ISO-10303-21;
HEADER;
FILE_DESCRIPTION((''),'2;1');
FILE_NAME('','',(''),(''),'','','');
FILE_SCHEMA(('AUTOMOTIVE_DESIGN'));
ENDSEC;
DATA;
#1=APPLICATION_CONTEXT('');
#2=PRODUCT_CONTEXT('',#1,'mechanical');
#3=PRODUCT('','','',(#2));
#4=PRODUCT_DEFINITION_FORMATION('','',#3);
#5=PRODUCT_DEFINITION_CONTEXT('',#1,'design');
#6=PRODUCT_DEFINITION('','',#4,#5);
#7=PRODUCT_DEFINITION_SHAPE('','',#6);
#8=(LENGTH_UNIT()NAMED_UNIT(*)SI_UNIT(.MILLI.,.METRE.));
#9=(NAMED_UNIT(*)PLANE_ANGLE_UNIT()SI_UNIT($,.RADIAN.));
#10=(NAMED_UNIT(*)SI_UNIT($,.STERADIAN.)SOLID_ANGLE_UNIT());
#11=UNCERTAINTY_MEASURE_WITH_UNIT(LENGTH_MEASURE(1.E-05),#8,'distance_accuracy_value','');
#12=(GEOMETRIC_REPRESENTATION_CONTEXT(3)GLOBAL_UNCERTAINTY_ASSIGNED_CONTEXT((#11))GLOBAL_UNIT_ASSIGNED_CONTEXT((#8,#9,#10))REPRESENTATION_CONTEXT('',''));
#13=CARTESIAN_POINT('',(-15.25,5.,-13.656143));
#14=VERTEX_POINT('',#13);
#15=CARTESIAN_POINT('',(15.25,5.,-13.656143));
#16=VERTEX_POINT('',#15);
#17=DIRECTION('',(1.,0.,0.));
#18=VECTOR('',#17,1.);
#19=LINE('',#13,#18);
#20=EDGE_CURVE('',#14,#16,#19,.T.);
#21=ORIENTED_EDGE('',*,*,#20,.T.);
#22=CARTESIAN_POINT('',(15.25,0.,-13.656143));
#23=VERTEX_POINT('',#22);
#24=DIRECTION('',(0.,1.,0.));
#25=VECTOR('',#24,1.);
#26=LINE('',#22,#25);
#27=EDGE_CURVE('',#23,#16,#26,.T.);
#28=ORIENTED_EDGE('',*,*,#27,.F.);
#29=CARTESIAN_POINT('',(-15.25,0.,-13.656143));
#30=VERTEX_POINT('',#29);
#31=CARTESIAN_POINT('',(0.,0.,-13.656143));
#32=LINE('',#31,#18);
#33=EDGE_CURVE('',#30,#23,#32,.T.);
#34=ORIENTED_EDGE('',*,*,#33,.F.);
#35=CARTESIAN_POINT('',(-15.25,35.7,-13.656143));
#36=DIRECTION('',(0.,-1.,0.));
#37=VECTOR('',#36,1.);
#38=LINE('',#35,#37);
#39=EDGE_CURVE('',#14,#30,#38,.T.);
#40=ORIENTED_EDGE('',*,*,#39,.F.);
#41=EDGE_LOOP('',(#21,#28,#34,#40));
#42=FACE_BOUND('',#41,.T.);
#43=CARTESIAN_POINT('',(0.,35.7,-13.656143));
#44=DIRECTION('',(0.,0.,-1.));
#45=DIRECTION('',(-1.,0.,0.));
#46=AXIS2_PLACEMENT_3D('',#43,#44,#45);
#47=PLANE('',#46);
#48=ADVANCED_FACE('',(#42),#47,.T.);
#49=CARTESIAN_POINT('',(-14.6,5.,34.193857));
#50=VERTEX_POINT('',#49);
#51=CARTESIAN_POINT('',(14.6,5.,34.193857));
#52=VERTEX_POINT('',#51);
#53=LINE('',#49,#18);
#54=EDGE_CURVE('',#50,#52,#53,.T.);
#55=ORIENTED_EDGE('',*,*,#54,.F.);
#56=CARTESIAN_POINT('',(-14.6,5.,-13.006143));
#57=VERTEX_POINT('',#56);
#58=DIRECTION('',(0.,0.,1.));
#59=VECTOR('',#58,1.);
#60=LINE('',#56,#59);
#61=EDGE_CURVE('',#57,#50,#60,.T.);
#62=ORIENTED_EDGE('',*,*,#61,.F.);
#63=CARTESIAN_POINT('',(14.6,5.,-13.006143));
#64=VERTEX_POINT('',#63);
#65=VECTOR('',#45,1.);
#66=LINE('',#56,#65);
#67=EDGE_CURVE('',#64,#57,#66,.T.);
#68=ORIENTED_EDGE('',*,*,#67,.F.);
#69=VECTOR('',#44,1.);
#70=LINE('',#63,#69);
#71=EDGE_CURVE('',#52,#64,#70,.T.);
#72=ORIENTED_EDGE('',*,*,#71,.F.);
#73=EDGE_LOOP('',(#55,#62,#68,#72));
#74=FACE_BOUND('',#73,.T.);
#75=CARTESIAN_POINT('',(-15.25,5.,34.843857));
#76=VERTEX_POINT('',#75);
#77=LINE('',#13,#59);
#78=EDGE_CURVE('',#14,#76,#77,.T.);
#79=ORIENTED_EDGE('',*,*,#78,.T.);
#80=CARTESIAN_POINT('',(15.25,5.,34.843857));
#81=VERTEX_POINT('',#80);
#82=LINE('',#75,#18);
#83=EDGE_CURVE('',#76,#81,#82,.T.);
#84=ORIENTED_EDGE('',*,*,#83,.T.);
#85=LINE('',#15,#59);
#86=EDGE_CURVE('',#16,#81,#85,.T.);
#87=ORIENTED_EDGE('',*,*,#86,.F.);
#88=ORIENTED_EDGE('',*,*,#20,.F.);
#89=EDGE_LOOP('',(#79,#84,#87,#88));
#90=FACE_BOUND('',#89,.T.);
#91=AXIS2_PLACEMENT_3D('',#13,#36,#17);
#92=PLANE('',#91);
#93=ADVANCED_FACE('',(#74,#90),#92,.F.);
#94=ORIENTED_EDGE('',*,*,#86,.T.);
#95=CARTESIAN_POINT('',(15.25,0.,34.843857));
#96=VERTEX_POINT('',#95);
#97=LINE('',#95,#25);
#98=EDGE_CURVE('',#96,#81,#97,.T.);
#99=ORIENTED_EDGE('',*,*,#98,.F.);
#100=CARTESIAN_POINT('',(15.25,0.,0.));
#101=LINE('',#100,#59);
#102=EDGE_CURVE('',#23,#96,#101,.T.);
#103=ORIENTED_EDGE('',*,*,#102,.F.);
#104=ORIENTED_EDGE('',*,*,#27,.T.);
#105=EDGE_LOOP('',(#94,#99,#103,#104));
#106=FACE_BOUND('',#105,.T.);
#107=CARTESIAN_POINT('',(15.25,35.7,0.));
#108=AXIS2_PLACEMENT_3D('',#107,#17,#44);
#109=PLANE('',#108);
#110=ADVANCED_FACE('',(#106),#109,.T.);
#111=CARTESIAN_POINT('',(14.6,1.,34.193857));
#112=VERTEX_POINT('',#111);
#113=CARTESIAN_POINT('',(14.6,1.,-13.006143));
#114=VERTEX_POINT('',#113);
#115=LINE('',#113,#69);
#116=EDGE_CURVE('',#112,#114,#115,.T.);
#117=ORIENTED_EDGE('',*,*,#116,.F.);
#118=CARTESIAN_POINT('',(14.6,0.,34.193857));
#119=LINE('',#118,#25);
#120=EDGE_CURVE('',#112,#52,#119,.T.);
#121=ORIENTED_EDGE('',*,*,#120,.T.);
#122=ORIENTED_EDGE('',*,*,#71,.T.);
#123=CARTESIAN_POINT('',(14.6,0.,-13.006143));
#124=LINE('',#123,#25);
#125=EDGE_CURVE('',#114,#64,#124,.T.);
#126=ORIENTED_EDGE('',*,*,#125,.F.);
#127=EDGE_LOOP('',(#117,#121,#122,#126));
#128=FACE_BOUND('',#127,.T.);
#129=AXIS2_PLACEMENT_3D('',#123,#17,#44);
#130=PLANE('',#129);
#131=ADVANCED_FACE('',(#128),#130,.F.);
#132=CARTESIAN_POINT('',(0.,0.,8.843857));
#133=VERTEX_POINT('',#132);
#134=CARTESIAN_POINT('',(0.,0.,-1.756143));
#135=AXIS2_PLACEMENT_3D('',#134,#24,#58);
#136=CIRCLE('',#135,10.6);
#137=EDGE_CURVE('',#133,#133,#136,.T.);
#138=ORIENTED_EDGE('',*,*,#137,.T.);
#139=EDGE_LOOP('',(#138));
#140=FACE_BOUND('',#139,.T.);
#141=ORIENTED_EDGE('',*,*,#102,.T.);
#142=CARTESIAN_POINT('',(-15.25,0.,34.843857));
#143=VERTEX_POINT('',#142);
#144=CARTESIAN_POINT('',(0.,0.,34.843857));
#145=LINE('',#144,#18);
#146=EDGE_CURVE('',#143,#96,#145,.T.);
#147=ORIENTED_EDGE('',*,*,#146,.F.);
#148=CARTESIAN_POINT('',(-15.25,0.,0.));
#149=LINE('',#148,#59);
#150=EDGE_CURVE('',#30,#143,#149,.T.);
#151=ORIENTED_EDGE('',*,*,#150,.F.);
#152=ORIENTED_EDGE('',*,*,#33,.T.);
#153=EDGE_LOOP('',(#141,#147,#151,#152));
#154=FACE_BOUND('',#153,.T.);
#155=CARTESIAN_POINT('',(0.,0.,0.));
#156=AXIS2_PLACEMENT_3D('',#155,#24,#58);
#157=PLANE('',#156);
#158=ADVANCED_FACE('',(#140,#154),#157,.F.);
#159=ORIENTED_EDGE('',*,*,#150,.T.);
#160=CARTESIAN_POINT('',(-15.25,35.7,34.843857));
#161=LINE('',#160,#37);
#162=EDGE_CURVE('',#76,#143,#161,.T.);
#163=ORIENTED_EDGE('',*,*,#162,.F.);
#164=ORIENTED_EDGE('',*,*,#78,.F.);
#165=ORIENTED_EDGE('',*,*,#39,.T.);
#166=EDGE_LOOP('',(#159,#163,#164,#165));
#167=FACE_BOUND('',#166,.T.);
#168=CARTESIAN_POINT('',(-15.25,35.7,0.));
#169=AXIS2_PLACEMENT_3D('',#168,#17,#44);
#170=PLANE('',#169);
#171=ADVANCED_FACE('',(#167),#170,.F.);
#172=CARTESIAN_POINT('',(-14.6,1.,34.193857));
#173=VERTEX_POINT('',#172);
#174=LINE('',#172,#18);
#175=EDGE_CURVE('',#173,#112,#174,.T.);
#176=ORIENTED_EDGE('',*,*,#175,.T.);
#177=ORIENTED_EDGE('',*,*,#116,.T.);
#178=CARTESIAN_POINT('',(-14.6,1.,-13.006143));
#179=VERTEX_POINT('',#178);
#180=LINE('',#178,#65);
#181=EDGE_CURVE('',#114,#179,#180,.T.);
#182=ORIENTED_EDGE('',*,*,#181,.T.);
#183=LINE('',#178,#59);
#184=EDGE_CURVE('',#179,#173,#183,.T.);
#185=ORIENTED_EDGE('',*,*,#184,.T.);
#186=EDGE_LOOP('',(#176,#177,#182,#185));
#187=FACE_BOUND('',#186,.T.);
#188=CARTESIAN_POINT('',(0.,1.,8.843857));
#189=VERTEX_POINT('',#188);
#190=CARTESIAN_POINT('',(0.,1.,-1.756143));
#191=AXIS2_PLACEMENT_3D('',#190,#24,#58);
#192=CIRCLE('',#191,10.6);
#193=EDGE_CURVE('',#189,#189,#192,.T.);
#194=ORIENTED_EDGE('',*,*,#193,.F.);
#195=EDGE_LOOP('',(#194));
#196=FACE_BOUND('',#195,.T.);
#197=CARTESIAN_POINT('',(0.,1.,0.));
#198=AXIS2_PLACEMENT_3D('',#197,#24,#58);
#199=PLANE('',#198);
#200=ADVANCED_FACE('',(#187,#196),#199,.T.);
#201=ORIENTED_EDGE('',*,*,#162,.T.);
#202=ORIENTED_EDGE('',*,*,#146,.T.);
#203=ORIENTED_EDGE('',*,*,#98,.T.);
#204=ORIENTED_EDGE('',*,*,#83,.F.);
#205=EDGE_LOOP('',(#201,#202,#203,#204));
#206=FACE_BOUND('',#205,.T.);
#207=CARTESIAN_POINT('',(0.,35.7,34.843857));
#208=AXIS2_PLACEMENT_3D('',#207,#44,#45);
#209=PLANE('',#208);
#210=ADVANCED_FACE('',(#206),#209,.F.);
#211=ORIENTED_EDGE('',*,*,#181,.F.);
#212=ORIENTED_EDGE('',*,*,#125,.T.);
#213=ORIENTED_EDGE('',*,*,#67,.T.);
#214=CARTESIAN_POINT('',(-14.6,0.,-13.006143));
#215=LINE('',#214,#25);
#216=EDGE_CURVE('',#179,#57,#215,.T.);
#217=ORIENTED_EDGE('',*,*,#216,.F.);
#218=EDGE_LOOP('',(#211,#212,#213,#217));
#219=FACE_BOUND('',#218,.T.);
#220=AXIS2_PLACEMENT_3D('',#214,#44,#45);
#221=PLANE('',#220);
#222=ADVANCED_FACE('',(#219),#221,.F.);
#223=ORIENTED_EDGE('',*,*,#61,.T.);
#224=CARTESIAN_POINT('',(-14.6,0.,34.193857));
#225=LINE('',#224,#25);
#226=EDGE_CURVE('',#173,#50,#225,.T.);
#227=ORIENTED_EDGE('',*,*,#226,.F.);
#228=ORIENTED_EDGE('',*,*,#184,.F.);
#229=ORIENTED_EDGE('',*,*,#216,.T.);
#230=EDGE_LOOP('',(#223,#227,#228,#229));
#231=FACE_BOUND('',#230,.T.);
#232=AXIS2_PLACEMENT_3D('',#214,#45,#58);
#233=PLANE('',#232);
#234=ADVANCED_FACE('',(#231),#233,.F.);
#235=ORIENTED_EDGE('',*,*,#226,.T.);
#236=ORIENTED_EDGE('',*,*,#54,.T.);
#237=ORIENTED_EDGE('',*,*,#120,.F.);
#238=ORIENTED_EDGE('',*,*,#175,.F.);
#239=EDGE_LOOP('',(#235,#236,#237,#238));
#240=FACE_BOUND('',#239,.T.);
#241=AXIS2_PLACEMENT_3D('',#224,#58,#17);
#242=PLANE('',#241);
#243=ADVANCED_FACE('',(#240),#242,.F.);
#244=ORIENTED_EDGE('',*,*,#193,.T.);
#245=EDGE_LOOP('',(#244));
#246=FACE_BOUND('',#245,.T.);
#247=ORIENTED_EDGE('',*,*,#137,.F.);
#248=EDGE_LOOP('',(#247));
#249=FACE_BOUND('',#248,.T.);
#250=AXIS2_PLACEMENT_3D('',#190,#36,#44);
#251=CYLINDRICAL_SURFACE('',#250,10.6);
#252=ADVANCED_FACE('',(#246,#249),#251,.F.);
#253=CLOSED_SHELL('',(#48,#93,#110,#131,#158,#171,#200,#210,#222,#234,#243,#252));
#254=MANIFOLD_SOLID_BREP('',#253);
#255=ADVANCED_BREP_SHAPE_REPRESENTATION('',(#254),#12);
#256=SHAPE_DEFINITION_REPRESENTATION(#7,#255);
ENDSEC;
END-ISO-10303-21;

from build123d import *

# Parameters (mm, degrees)
SKETCH1_W           = 61.4
SKETCH1_H           = 48.5
SKETCH1_W_2         = 28.5
SKETCH1_H_2         = 46.5
SKETCH1_W_3         = 28.9
SKETCH1_H_3         = 46.9
BOSS_EXTRUDE1_DEPTH = 35.7
SKETCH2_W           = 29.9
SKETCH2_H           = 48.5
CUT_EXTRUDE1_DEPTH  = 36.7
SKETCH3_W           = 29.2
SKETCH3_H           = 47.2
CUT_EXTRUDE2_DEPTH  = 36.7
SKETCH4_W           = 29.2
SKETCH4_H           = 47.2
SKETCH4_R           = 10.6
BOSS_EXTRUDE2_DEPTH = 1
SKETCH6_W           = 1
SKETCH6_H           = 48.5
CUT_EXTRUDE3_DEPTH  = 36.7
SKETCH7_W           = 30.5
SKETCH7_H           = 30.7
CUT_EXTRUDE4_DEPTH  = 49.5


with BuildPart() as part:
    # Sketch1 → Boss-Extrude1 (new body)
    with BuildSketch(Plane(origin=(0, 0, 0), x_dir=(1, 0, 0), z_dir=(0, 1, 0))):
        with Locations((15.45, -10.593857338)):
            Rectangle(SKETCH1_W, SKETCH1_H)
        with Locations((0, -10.593857338)):
            Rectangle(SKETCH1_W_2, SKETCH1_H_2, mode=Mode.SUBTRACT)
        with Locations((29.7, -10.593857338)):
            Rectangle(SKETCH1_W_3, SKETCH1_H_3, mode=Mode.SUBTRACT)
    extrude(amount=BOSS_EXTRUDE1_DEPTH)

    # Sketch2 → Cut-Extrude1 (cut, through all)
    with BuildSketch(Plane(origin=(0, 35.7, 0), x_dir=(1, 0, 0), z_dir=(0, 1, 0))):
        with Locations((31.2, -10.593857338)):
            Rectangle(SKETCH2_W, SKETCH2_H)
    extrude(amount=-CUT_EXTRUDE1_DEPTH, mode=Mode.SUBTRACT)

    # Sketch3 → Cut-Extrude2 (cut, through all)
    with BuildSketch(Plane(origin=(0, 35.7, 0), x_dir=(1, 0, 0), z_dir=(0, 1, 0))):
        with Locations((0, -10.593857338)):
            Rectangle(SKETCH3_W, SKETCH3_H)
    extrude(amount=-CUT_EXTRUDE2_DEPTH, mode=Mode.SUBTRACT)

    # Sketch4 → Boss-Extrude2 (add)
    with BuildSketch(Plane(origin=(0, 0, 0), x_dir=(1, 0, 0), z_dir=(0, 1, 0))):
        with Locations((0, -10.593857338)):
            Rectangle(SKETCH4_W, SKETCH4_H)
        with Locations((0, 1.756142662)):
            Circle(SKETCH4_R, mode=Mode.SUBTRACT)
    extrude(amount=BOSS_EXTRUDE2_DEPTH)

    # Sketch6 → Cut-Extrude3 (cut, through all)
    with BuildSketch(Plane(origin=(0, 35.7, 0), x_dir=(1, 0, 0), z_dir=(0, 1, 0))):
        with Locations((15.75, -10.593857338)):
            Rectangle(SKETCH6_W, SKETCH6_H)
    extrude(amount=-CUT_EXTRUDE3_DEPTH, mode=Mode.SUBTRACT)

    # Sketch7 → Cut-Extrude4 (cut, through all)
    with BuildSketch(Plane.XY.offset(34.843857338)):
        with Locations((0, 20.35)):
            Rectangle(SKETCH7_W, SKETCH7_H)
    extrude(amount=-CUT_EXTRUDE4_DEPTH, mode=Mode.SUBTRACT)


solid = part.part
